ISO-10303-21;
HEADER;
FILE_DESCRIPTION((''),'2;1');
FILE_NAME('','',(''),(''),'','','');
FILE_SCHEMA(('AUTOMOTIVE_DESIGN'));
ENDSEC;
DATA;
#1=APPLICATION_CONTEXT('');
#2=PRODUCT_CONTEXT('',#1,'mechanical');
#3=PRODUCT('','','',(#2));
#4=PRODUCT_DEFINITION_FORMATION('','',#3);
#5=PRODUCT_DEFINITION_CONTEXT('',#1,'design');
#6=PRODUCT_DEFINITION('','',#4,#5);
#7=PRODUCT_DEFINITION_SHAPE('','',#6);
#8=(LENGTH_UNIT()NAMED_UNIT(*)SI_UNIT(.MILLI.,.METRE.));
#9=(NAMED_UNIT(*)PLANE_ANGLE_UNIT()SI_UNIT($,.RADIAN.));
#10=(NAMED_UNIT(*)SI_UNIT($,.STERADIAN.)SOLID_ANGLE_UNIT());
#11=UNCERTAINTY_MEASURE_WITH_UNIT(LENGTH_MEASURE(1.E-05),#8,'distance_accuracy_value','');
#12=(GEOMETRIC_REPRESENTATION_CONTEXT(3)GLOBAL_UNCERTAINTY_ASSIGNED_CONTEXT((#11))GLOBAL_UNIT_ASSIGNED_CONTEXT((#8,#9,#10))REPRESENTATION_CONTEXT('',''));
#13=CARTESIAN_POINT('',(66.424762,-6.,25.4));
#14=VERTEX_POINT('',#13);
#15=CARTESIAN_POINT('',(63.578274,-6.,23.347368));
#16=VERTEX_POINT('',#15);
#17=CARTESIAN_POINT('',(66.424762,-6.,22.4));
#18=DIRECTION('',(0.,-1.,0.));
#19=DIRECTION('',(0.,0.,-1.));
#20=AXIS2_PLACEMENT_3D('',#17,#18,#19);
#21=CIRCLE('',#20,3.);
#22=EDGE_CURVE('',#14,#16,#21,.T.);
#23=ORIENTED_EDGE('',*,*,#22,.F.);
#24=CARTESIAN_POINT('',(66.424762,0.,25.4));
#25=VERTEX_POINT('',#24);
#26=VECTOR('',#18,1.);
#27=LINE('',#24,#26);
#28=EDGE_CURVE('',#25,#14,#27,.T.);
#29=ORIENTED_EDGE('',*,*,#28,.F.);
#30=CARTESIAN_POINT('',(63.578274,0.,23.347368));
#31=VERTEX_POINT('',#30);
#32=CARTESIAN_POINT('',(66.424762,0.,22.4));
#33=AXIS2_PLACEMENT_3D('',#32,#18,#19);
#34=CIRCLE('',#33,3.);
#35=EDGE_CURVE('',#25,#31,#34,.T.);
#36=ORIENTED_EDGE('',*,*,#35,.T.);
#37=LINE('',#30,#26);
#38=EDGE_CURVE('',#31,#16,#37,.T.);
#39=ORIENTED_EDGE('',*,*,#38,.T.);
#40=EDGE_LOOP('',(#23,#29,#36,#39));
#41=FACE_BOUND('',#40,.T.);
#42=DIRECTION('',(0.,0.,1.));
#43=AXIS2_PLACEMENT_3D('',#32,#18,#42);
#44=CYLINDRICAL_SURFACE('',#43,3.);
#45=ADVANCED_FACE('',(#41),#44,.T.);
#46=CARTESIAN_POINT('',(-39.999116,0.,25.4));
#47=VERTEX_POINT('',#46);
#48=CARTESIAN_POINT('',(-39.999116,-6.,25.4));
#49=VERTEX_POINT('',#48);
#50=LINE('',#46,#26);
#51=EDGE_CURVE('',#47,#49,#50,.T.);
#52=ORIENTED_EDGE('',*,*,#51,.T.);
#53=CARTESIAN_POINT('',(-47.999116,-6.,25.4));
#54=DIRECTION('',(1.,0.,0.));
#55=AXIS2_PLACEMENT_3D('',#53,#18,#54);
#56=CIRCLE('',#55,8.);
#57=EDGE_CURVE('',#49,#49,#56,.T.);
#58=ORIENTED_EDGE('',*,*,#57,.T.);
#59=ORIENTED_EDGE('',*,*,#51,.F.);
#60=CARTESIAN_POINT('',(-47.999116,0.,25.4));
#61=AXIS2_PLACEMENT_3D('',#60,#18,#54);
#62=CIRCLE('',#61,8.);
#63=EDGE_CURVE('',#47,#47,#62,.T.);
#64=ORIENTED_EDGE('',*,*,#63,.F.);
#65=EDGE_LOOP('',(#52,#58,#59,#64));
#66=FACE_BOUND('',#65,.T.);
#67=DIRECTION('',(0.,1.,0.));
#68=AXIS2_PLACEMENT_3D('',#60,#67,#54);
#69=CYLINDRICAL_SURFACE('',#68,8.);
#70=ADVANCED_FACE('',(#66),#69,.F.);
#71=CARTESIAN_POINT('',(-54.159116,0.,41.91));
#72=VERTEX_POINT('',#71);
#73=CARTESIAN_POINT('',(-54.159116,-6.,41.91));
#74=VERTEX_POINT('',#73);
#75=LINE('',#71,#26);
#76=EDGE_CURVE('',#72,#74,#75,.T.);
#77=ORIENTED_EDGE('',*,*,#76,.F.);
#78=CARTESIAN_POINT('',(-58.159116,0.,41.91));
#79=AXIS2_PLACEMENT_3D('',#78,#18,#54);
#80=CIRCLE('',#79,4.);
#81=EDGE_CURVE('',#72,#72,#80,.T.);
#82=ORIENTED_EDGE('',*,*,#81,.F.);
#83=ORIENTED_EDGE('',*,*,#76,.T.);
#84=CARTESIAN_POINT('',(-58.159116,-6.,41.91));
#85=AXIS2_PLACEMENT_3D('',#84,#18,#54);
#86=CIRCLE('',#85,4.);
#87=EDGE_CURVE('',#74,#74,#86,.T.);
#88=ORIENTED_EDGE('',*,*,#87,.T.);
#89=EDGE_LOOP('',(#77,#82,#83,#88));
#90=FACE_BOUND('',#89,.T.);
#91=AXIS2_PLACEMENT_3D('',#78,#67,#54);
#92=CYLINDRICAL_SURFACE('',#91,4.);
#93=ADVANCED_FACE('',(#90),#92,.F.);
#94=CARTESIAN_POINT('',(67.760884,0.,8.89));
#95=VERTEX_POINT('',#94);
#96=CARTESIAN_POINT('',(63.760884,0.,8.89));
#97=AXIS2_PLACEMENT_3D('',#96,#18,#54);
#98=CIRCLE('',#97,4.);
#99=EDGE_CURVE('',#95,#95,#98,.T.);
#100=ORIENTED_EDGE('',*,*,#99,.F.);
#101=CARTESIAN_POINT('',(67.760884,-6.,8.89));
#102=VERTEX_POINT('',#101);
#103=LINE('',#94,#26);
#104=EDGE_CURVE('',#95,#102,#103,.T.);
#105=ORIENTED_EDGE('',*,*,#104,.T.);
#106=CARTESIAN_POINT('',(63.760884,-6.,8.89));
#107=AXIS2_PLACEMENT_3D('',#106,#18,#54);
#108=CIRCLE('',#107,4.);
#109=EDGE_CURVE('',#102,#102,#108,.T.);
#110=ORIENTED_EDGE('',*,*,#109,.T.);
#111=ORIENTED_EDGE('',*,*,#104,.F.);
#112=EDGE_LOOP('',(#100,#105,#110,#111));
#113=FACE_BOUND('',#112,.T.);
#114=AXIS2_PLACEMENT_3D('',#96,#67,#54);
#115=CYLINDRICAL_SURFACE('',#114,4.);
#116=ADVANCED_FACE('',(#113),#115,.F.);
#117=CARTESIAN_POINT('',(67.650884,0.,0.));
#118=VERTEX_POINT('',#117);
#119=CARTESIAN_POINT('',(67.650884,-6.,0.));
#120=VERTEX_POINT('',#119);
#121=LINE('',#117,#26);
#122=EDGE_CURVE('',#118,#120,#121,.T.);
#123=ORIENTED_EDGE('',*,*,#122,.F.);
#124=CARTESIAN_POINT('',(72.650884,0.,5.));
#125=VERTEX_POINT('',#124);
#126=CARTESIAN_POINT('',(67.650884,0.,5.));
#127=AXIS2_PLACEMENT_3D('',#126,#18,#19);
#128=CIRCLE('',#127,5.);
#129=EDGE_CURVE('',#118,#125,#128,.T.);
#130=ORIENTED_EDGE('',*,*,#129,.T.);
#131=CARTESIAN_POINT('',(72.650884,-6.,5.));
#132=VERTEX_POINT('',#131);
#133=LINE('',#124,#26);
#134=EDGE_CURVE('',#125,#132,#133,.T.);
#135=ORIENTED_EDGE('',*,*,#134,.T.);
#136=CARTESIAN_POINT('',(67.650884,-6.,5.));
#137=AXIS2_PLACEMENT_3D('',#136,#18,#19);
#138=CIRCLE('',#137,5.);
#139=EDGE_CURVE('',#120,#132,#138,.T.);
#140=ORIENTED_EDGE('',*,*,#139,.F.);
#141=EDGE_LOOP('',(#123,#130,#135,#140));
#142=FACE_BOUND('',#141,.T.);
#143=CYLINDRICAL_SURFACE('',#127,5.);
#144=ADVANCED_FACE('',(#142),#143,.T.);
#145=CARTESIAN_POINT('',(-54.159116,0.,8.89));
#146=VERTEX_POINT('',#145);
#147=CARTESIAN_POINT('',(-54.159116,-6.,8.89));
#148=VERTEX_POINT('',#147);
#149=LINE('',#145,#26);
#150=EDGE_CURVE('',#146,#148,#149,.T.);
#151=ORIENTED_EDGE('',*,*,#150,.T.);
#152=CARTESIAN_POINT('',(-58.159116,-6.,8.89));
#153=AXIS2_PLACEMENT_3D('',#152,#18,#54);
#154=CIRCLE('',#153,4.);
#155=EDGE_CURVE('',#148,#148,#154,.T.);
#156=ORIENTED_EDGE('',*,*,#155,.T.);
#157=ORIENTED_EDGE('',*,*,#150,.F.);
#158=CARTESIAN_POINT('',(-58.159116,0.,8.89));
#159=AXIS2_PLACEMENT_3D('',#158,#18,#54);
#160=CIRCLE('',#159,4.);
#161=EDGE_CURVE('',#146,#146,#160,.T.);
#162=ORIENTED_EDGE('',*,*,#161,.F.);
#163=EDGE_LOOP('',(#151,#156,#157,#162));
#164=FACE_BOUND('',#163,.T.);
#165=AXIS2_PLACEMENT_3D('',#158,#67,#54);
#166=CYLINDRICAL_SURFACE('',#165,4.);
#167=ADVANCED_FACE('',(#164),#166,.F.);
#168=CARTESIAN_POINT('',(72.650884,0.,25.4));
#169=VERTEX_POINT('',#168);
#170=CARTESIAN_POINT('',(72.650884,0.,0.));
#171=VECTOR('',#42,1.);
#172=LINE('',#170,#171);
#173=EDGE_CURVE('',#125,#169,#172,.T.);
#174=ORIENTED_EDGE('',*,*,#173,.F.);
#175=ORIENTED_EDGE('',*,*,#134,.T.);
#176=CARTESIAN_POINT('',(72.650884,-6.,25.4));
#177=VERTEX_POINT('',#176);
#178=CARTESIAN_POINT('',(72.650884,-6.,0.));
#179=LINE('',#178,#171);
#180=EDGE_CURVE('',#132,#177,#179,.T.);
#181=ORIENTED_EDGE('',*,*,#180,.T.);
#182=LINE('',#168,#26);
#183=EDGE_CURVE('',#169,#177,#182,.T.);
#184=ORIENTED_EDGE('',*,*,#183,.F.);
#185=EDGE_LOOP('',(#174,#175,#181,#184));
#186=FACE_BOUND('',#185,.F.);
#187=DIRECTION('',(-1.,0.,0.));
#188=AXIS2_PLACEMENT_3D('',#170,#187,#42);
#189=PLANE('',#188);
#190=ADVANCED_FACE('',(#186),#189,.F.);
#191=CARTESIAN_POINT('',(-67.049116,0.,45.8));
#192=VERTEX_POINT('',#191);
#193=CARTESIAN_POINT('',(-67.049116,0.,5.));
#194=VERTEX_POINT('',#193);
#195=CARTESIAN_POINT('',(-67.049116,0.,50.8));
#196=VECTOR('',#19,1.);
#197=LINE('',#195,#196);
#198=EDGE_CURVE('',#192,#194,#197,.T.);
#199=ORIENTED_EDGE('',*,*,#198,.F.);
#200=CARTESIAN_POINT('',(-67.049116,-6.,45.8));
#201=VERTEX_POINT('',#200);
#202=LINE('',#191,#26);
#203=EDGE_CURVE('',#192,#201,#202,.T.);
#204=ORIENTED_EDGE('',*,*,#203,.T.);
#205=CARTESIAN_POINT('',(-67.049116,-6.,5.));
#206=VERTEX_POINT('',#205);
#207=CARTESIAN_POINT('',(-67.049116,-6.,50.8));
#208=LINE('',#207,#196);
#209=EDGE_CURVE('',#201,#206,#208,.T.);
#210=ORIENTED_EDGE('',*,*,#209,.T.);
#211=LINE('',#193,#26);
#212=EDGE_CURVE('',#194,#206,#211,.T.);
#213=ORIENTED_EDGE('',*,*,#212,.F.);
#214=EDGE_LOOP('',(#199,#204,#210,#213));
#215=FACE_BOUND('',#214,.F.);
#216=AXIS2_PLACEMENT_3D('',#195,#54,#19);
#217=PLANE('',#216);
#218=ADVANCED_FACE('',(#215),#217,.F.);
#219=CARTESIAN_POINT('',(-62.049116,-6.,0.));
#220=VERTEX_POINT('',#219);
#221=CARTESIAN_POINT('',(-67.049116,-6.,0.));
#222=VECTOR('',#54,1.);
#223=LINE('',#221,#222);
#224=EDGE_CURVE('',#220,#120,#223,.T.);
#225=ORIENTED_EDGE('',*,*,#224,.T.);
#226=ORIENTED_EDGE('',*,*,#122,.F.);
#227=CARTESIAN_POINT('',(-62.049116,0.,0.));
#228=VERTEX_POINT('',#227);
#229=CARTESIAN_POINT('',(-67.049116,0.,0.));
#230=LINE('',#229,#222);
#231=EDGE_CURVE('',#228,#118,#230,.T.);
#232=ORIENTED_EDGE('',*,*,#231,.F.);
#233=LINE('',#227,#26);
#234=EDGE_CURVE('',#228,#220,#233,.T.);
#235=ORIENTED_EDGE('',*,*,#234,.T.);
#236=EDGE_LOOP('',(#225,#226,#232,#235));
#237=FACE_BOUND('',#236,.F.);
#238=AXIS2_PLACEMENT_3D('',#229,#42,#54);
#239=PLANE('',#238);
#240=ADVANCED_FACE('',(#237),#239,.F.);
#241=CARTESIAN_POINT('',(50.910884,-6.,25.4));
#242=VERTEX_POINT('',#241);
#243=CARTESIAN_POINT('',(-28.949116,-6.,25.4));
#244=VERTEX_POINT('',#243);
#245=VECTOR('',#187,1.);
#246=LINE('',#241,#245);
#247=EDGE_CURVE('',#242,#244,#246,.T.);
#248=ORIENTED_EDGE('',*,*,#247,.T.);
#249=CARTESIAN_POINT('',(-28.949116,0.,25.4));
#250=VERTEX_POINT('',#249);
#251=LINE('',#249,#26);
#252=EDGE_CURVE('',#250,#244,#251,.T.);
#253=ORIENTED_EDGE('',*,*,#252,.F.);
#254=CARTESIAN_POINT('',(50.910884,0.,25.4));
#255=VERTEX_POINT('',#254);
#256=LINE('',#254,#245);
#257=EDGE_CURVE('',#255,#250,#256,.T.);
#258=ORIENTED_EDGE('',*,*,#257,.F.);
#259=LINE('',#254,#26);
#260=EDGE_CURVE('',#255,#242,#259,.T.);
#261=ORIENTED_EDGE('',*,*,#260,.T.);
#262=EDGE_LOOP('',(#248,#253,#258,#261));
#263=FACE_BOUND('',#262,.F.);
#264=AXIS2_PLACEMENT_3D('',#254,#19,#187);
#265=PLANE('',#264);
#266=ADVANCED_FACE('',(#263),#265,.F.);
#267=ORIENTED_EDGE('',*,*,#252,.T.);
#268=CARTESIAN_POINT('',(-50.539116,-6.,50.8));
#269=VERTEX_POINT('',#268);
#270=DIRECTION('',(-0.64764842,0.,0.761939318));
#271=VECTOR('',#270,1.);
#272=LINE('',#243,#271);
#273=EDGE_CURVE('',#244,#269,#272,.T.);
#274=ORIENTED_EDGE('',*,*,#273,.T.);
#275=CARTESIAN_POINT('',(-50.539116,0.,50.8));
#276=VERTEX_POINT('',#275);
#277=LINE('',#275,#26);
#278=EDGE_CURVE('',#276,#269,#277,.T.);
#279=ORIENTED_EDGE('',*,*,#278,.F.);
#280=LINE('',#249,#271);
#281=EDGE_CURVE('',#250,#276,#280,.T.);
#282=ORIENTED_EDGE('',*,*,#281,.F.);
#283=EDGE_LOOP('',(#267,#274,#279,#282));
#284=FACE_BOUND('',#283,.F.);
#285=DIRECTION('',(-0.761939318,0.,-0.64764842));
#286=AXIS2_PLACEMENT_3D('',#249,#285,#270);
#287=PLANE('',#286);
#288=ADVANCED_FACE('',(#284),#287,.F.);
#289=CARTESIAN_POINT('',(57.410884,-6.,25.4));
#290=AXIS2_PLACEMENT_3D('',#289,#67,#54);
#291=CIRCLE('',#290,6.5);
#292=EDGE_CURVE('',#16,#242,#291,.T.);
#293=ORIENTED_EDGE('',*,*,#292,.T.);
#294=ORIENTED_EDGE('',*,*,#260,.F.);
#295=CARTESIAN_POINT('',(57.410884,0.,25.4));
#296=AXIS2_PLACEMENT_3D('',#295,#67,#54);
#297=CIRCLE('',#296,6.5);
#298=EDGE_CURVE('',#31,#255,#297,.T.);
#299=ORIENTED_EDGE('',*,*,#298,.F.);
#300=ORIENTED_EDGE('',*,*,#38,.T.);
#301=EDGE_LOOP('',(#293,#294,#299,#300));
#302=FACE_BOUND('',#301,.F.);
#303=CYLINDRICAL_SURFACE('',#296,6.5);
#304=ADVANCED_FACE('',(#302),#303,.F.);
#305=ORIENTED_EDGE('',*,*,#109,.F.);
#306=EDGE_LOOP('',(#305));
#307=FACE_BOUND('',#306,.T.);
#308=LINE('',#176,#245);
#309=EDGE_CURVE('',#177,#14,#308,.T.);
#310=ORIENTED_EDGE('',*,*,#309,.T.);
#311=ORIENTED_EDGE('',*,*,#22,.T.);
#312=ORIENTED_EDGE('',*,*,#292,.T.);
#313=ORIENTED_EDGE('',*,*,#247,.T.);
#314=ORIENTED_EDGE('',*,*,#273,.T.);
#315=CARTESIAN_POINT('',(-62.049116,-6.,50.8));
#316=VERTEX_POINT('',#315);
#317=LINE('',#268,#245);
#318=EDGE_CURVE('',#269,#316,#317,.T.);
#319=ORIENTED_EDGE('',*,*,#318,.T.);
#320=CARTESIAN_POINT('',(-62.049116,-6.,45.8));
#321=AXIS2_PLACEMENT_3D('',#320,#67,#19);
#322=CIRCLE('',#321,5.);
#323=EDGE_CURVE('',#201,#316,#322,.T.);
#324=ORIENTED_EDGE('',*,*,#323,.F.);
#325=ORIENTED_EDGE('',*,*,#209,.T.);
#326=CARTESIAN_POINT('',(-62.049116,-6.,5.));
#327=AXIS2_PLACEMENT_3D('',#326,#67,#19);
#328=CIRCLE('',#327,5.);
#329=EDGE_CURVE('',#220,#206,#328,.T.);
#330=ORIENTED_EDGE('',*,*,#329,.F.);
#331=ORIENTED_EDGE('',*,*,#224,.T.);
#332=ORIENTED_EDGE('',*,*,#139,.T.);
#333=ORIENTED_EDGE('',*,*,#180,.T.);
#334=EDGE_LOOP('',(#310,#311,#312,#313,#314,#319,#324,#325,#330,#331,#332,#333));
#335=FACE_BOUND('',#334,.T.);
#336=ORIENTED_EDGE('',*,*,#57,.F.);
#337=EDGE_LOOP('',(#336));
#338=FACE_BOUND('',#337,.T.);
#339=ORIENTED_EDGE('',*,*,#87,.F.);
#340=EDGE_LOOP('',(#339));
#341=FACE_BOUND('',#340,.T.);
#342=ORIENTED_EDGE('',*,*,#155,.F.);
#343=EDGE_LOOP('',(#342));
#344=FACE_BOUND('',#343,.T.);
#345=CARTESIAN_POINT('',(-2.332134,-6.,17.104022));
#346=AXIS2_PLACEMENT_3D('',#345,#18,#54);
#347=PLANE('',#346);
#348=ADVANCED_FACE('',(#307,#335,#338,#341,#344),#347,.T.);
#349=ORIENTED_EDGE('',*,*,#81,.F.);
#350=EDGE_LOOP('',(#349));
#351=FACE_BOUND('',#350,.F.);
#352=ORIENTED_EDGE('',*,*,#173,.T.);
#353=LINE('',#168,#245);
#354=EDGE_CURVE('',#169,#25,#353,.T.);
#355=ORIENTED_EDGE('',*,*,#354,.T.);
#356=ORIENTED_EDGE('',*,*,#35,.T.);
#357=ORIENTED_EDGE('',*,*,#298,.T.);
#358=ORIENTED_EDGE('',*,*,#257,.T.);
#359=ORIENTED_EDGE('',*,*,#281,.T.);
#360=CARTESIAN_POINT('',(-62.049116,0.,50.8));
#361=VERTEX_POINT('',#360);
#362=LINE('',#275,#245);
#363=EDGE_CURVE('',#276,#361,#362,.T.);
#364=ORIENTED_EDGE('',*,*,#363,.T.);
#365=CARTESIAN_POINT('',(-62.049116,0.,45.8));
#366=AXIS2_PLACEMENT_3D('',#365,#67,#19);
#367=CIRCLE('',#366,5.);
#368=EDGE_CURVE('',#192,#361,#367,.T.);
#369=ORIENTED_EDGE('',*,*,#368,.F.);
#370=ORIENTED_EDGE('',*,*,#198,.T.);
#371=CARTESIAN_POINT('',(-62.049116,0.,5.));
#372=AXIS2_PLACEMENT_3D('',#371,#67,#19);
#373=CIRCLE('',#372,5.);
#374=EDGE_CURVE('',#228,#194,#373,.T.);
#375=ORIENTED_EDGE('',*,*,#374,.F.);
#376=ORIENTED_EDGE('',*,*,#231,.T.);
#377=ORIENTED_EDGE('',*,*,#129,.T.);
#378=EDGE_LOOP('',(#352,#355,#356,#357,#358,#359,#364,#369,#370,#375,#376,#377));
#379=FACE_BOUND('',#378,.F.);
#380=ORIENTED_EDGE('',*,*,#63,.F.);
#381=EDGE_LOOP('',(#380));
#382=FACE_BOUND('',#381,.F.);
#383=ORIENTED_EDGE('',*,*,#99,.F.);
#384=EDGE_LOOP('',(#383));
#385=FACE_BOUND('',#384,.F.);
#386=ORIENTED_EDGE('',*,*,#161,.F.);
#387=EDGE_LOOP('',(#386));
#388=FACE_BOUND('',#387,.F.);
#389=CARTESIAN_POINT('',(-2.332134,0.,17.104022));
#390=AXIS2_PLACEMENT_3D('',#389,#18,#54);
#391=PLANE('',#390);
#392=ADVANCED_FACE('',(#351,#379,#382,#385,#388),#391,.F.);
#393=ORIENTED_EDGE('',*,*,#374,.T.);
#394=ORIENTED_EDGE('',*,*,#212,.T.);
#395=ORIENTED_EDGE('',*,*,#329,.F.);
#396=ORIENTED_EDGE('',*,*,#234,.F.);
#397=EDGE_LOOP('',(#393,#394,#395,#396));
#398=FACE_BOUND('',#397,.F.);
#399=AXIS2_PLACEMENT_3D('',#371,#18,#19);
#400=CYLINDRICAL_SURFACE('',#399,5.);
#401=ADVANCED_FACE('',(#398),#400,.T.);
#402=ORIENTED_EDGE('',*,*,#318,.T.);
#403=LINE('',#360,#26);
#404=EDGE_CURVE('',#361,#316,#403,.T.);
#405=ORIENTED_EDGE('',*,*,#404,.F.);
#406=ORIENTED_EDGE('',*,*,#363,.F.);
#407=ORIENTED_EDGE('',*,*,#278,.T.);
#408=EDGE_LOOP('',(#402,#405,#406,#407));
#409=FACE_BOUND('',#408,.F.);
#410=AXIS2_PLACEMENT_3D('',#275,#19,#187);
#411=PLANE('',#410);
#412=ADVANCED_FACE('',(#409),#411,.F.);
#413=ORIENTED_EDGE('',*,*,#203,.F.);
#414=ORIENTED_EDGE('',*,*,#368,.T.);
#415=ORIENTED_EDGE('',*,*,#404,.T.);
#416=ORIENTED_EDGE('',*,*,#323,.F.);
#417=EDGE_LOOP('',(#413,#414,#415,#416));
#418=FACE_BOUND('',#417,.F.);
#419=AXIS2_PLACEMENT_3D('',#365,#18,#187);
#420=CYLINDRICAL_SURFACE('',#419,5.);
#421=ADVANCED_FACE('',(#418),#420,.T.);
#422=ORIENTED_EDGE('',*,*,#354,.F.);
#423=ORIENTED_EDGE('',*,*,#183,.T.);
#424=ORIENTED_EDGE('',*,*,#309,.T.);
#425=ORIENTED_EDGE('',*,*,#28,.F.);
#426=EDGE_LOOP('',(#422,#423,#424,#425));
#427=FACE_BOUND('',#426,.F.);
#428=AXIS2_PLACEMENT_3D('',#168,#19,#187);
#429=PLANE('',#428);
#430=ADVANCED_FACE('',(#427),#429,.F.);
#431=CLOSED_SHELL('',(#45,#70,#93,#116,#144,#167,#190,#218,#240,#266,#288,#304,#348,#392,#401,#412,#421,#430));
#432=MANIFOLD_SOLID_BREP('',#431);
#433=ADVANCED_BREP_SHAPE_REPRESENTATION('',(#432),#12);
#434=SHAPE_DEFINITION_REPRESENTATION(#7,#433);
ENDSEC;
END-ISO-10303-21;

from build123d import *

# Parameters (mm, degrees)
F0_R     = 4
F0_R_2   = 8
F1_DEPTH = 6
F2_R     = 5
F3_R     = 3


with BuildPart() as f1:
    # F0 (on Front) → F1 (new body)
    with BuildSketch(Plane.XZ):
        with BuildLine():
            Line((-67.049116, 8.89), (-67.049116, 0))
            Line((-67.049116, 0), (72.650884, 0))
            Line((72.650884, 0), (72.650884, 25.4))
            Line((72.650884, 25.4), (63.910884, 25.4))
            ThreePointArc((63.910884, 25.4), (57.410884, 18.9), (50.910884, 25.4))
            Line((50.910884, 25.4), (-28.949116, 25.4))
            Line((-28.949116, 25.4), (-50.539116, 50.8))
            Line((-50.539116, 50.8), (-67.049116, 50.8))
            Line((-67.049116, 50.8), (-67.049116, 41.91))
            Line((-67.049116, 41.91), (-67.049116, 8.89))
        make_face()
        with Locations((-58.159116, 8.89)):
            Circle(F0_R, mode=Mode.SUBTRACT)
        with Locations((-47.999116, 25.4)):
            Circle(F0_R_2, mode=Mode.SUBTRACT)
        with Locations((63.760884, 8.89)):
            Circle(F0_R, mode=Mode.SUBTRACT)
        with Locations((-58.159116, 41.91)):
            Circle(F0_R, mode=Mode.SUBTRACT)
    extrude(amount=F1_DEPTH)

    # F2
    f2_edges = [f1.edges().sort_by_distance(p)[0] for p in [
        (-67.049116, -3, 50.8),
        (-67.049116, -3, 0),
        (72.650884, -3, 0),
    ]]
    fillet(f2_edges, radius=F2_R)

    # F3
    f3_edges = [f1.edges().sort_by_distance(p)[0] for p in [
        (63.910884, -3, 25.4),
    ]]
    fillet(f3_edges, radius=F3_R)


solid = f1.part
